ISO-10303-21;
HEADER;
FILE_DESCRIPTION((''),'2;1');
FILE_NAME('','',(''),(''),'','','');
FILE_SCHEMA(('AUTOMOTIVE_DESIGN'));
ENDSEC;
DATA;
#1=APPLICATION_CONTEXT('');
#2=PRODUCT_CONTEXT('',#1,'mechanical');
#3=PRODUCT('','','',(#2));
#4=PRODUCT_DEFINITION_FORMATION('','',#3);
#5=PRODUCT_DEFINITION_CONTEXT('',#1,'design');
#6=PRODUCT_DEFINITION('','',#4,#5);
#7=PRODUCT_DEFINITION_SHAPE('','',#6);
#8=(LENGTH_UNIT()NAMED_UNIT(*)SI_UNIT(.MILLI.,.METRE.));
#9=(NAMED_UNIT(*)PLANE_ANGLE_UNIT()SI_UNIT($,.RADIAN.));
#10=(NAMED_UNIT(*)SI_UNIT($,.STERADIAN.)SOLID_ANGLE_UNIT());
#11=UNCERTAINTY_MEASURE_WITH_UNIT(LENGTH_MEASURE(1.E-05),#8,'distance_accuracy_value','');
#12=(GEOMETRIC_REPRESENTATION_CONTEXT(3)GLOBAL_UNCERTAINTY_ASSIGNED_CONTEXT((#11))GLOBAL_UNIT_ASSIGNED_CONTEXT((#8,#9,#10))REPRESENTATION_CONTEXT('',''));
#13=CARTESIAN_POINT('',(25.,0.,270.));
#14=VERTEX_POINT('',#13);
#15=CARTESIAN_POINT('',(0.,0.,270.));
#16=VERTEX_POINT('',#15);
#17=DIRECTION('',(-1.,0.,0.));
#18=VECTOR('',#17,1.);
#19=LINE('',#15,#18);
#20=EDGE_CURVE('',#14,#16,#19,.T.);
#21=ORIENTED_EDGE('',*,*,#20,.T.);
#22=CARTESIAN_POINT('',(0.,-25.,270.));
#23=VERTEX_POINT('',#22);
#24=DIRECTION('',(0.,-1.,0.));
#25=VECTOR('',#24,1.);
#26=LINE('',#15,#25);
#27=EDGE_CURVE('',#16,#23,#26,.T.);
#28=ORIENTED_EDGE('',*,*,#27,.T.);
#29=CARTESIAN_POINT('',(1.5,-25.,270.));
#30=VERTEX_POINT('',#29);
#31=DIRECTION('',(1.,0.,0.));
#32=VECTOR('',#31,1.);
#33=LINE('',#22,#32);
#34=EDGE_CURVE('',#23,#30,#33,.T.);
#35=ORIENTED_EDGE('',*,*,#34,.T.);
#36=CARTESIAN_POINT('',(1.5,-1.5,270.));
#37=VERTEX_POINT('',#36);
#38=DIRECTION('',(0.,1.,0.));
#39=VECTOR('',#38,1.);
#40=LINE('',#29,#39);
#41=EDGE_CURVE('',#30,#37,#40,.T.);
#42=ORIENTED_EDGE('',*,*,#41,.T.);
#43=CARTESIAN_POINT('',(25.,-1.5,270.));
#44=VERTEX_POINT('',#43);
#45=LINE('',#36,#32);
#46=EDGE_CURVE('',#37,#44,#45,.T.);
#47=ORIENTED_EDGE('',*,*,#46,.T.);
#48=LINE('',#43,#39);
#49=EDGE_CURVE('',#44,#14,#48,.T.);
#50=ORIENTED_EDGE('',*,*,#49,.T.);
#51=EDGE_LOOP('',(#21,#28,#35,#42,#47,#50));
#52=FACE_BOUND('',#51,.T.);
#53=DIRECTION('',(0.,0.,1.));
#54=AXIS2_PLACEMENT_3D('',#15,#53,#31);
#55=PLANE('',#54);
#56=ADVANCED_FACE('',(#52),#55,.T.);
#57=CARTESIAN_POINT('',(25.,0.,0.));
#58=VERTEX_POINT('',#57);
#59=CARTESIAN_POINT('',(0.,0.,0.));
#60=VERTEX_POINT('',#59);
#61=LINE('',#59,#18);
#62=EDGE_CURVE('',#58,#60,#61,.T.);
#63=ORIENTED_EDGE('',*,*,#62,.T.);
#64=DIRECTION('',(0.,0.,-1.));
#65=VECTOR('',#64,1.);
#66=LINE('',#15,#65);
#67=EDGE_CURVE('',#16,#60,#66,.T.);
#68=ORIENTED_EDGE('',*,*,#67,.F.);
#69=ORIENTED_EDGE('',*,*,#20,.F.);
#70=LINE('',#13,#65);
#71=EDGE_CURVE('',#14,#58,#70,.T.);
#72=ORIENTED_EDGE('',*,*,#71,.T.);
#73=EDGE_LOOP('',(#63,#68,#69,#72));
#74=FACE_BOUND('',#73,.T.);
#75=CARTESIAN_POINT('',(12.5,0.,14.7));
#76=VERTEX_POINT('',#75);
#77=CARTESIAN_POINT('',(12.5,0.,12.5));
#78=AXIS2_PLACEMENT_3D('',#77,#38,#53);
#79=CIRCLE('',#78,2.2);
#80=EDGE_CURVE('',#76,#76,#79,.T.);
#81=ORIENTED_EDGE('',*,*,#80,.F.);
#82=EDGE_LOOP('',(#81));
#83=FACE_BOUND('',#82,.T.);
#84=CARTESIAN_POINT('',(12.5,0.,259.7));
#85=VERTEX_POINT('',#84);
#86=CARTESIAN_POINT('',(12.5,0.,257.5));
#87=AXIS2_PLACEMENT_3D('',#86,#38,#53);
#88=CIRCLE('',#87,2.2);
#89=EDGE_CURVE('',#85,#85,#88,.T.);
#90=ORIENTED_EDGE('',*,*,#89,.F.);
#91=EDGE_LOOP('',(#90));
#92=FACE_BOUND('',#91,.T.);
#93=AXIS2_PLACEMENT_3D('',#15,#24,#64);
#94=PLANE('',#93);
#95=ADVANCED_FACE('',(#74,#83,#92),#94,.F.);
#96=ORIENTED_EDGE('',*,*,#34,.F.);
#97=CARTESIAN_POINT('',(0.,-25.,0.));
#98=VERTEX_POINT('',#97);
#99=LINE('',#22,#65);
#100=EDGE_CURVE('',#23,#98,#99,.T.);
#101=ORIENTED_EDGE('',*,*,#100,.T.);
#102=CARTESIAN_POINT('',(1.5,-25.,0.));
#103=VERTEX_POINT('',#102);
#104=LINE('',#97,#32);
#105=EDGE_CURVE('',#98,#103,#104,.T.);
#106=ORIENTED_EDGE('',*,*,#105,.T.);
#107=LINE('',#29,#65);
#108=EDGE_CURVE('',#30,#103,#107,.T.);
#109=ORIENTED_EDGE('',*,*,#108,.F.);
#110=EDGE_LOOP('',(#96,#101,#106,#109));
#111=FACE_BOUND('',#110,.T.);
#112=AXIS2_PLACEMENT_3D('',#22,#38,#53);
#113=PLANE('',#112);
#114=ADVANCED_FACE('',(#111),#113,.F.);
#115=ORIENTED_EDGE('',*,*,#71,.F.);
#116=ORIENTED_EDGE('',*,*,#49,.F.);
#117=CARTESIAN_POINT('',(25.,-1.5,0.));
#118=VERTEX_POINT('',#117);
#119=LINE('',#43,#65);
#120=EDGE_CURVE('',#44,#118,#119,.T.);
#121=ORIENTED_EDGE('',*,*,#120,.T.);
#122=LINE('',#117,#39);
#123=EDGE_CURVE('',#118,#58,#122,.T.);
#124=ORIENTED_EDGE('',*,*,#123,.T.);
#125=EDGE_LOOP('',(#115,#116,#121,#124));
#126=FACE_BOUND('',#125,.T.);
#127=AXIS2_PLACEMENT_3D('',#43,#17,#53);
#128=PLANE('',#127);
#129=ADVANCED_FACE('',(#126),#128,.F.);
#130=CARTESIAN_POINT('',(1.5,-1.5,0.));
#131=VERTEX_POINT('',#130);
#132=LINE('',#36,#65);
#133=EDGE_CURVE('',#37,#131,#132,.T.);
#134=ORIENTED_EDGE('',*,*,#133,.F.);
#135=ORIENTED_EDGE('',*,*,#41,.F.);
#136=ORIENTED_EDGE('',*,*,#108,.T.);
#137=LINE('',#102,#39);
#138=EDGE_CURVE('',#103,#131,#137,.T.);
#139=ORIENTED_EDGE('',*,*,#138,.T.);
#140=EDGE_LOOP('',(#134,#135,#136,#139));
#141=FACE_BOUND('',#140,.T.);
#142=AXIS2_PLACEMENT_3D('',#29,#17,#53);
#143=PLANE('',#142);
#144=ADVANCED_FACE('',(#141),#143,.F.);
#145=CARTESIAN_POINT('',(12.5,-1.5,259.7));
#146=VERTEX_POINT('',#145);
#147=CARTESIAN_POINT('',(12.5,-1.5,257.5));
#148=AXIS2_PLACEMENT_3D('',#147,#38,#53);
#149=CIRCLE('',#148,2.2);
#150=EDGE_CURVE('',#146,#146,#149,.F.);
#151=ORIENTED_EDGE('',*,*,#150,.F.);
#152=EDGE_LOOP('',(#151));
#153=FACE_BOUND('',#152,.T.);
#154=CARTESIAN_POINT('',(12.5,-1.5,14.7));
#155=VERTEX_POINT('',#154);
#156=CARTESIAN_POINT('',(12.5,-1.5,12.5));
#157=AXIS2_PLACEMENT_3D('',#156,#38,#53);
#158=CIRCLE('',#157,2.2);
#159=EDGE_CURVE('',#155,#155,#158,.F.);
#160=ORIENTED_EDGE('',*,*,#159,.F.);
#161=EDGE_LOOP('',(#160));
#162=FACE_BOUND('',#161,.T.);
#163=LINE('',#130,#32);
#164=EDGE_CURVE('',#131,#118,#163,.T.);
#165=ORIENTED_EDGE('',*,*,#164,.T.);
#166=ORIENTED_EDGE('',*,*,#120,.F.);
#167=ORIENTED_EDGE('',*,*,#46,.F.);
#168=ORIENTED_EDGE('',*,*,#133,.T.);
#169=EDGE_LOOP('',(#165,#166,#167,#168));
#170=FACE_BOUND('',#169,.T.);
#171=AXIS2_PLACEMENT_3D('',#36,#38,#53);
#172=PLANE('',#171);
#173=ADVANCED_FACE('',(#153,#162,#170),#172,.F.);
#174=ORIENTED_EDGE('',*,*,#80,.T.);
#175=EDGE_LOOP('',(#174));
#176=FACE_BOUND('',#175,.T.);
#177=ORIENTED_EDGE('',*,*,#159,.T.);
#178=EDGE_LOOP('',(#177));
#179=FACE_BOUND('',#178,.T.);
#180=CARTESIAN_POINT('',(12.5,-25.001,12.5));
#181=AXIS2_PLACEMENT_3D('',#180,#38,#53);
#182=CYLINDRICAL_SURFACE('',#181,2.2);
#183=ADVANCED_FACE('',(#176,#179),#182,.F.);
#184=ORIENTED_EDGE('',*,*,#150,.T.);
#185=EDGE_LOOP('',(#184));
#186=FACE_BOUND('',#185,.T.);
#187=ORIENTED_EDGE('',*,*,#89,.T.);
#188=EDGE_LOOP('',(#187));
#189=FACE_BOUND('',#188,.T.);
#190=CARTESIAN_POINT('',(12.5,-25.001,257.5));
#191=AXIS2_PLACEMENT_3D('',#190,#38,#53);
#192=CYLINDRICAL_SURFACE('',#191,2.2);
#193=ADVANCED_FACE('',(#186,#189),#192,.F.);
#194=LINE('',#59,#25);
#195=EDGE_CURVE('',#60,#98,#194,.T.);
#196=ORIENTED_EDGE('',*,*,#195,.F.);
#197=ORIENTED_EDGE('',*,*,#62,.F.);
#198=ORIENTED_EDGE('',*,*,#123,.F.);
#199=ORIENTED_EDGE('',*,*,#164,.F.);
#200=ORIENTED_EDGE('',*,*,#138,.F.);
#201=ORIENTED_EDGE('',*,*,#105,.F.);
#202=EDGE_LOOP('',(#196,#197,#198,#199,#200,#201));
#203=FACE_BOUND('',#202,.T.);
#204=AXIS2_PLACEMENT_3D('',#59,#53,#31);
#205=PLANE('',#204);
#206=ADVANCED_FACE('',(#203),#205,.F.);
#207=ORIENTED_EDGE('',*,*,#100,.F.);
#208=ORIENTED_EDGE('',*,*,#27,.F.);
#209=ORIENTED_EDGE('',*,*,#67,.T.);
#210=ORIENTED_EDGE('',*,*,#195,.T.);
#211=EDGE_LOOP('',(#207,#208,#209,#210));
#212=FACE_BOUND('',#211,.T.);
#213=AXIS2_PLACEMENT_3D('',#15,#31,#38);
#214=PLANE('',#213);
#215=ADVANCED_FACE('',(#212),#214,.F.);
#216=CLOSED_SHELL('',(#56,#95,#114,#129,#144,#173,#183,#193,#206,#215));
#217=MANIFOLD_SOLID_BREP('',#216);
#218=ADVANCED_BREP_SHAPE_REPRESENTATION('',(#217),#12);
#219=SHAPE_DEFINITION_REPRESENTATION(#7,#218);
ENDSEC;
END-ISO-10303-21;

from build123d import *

# Parameters (mm, degrees)
EXTRUDE_1_DEPTH     = 270
CUT_EXTRUDE_1_REACH = 274.305
SKETCH_2_R          = 2.2


with BuildPart() as part:
    # Эскиз1 → Бобышка-Вытянуть1 (new body)
    with BuildSketch(Plane.XY):
        Polygon((0, 0), (0, -25), (1.5, -25), (1.5, -1.5), (25, -1.5), (25, 0), align=None)
    extrude(amount=EXTRUDE_1_DEPTH)

    # Эскиз2 → Вырез-Вытянуть1 (cut, up to next)
    with BuildSketch(Plane(origin=(0, 0, 0), x_dir=(1, 0, 0), z_dir=(0, 1, 0)), mode=Mode.PRIVATE) as cut_extrude_1_sk1:
        with Locations(Location((12.5, -257.5, 0), (0, 0, 270))):
            Circle(SKETCH_2_R)
    cut_extrude_1_tool1 = extrude(cut_extrude_1_sk1.sketch, amount=-CUT_EXTRUDE_1_REACH, mode=Mode.PRIVATE) & part.part
    # Эскиз2 → Вырез-Вытянуть1 (cut, up to next)
    with BuildSketch(Plane(origin=(0, 0, 0), x_dir=(1, 0, 0), z_dir=(0, 1, 0)), mode=Mode.PRIVATE) as cut_extrude_1_sk2:
        with Locations(Location((12.5, -12.5, 0), (0, 0, 270))):
            Circle(SKETCH_2_R)
    cut_extrude_1_tool2 = extrude(cut_extrude_1_sk2.sketch, amount=-CUT_EXTRUDE_1_REACH, mode=Mode.PRIVATE) & part.part
    add(cut_extrude_1_tool1.solids().sort_by_distance((12.5, 0, 257.5))[0], mode=Mode.SUBTRACT)
    add(cut_extrude_1_tool2.solids().sort_by_distance((12.5, 0, 12.5))[0], mode=Mode.SUBTRACT)


solid = part.part
